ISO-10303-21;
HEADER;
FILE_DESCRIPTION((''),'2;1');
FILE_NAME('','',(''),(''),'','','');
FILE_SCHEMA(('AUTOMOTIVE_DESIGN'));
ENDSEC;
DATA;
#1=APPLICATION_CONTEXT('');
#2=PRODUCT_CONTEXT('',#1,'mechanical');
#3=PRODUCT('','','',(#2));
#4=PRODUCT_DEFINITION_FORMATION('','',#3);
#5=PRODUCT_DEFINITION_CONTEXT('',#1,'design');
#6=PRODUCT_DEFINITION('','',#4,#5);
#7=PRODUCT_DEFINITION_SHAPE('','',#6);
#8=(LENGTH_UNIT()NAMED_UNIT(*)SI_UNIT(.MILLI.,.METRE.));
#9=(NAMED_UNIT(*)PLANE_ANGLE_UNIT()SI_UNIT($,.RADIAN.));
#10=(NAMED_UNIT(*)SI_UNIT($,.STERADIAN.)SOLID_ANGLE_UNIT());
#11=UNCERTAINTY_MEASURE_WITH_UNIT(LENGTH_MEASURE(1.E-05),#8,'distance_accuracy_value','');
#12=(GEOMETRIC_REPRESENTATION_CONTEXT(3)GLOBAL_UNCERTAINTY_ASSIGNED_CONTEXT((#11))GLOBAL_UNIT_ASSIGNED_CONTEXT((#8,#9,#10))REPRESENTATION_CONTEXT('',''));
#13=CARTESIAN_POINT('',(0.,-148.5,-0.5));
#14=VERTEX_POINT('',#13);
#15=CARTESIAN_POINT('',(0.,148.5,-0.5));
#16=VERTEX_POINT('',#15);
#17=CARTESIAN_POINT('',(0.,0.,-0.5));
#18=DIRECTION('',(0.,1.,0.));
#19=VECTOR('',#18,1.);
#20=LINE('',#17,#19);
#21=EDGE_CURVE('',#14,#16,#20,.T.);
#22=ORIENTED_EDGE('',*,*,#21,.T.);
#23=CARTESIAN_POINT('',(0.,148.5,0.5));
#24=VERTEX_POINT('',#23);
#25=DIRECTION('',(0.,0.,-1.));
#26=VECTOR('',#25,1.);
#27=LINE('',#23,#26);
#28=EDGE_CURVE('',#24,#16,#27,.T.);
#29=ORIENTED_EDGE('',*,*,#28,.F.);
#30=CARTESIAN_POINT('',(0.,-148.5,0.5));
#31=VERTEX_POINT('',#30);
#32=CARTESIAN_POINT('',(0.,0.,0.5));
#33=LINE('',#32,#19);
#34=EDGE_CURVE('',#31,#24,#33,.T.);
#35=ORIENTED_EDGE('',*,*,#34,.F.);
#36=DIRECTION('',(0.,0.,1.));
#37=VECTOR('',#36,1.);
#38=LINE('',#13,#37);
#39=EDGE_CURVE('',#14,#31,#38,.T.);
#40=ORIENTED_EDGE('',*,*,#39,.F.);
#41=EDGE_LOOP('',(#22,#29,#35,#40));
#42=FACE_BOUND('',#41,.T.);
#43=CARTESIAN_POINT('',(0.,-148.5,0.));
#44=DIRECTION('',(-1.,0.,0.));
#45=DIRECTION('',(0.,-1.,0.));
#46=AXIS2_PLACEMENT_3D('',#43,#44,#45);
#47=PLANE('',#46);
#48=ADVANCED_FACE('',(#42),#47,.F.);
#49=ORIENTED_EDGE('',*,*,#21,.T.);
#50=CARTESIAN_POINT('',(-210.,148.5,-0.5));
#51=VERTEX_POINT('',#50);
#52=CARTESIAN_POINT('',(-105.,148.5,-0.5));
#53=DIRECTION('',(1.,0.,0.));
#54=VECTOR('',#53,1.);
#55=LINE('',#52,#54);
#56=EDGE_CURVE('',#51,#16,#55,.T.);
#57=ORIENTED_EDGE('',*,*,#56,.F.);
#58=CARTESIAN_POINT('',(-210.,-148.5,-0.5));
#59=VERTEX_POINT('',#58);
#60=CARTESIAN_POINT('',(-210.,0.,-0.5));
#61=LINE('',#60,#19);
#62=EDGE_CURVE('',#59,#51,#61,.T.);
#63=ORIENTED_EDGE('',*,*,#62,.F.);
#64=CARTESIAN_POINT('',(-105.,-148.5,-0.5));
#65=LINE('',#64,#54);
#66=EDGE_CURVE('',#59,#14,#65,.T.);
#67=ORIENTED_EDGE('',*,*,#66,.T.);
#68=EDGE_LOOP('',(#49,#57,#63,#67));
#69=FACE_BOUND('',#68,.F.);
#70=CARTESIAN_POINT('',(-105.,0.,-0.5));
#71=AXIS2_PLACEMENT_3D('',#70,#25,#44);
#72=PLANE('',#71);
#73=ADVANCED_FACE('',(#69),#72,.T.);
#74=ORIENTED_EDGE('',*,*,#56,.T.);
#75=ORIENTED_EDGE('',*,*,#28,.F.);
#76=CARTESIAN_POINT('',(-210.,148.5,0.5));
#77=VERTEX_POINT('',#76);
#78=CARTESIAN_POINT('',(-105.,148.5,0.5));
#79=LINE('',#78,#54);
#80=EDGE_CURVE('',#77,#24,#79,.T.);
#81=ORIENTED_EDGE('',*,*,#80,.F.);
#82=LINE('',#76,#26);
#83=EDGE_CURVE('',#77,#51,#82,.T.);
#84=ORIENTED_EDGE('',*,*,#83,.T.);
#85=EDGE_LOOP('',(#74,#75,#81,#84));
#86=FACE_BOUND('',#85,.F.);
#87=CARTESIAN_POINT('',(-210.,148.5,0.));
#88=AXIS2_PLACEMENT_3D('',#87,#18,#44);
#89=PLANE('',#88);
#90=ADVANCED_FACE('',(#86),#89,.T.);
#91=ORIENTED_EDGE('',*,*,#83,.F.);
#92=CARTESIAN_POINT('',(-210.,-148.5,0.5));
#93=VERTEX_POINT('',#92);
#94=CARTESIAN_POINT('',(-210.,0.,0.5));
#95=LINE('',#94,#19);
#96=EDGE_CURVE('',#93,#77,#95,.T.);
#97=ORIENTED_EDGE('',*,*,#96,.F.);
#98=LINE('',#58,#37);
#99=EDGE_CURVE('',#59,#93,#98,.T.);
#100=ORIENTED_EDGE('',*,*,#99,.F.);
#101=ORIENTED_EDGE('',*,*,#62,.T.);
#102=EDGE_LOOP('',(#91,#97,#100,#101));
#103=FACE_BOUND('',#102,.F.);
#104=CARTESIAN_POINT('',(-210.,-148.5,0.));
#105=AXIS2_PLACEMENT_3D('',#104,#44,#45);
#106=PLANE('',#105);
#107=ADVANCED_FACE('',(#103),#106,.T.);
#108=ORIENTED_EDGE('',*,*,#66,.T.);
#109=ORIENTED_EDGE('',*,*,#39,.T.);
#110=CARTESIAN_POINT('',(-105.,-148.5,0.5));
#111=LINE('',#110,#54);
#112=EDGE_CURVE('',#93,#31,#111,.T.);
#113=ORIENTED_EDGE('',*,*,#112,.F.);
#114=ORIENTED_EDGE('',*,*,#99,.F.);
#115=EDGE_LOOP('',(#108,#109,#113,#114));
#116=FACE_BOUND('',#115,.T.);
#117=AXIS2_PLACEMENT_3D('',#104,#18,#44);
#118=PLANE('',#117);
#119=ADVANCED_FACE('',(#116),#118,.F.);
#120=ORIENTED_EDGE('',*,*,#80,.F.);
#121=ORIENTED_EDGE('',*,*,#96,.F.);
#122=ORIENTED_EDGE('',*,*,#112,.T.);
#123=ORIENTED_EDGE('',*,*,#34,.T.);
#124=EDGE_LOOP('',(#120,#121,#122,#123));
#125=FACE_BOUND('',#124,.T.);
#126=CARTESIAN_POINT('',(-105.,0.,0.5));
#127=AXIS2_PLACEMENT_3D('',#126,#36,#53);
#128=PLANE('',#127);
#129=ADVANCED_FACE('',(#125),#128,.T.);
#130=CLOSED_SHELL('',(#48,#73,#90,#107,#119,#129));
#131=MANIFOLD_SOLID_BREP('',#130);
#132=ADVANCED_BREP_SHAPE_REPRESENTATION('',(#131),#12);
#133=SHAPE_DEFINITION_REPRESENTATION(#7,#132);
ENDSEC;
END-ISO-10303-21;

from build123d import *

# Parameters (mm, degrees)
F0_W     = 210
F0_H     = 297
F1_DEPTH = 0.5


with BuildPart() as f1:
    # F0 (on Top) → F1 (new body)
    with BuildSketch(Plane.XY):
        with Locations((-105, 0)):
            Rectangle(F0_W, F0_H)
    extrude(amount=F1_DEPTH)

    # F2: F1 across plane


with BuildPart() as f1_1:
    add(f1.part)
    add(f1.part.mirror(Plane.XY))


solid = f1_1.part
